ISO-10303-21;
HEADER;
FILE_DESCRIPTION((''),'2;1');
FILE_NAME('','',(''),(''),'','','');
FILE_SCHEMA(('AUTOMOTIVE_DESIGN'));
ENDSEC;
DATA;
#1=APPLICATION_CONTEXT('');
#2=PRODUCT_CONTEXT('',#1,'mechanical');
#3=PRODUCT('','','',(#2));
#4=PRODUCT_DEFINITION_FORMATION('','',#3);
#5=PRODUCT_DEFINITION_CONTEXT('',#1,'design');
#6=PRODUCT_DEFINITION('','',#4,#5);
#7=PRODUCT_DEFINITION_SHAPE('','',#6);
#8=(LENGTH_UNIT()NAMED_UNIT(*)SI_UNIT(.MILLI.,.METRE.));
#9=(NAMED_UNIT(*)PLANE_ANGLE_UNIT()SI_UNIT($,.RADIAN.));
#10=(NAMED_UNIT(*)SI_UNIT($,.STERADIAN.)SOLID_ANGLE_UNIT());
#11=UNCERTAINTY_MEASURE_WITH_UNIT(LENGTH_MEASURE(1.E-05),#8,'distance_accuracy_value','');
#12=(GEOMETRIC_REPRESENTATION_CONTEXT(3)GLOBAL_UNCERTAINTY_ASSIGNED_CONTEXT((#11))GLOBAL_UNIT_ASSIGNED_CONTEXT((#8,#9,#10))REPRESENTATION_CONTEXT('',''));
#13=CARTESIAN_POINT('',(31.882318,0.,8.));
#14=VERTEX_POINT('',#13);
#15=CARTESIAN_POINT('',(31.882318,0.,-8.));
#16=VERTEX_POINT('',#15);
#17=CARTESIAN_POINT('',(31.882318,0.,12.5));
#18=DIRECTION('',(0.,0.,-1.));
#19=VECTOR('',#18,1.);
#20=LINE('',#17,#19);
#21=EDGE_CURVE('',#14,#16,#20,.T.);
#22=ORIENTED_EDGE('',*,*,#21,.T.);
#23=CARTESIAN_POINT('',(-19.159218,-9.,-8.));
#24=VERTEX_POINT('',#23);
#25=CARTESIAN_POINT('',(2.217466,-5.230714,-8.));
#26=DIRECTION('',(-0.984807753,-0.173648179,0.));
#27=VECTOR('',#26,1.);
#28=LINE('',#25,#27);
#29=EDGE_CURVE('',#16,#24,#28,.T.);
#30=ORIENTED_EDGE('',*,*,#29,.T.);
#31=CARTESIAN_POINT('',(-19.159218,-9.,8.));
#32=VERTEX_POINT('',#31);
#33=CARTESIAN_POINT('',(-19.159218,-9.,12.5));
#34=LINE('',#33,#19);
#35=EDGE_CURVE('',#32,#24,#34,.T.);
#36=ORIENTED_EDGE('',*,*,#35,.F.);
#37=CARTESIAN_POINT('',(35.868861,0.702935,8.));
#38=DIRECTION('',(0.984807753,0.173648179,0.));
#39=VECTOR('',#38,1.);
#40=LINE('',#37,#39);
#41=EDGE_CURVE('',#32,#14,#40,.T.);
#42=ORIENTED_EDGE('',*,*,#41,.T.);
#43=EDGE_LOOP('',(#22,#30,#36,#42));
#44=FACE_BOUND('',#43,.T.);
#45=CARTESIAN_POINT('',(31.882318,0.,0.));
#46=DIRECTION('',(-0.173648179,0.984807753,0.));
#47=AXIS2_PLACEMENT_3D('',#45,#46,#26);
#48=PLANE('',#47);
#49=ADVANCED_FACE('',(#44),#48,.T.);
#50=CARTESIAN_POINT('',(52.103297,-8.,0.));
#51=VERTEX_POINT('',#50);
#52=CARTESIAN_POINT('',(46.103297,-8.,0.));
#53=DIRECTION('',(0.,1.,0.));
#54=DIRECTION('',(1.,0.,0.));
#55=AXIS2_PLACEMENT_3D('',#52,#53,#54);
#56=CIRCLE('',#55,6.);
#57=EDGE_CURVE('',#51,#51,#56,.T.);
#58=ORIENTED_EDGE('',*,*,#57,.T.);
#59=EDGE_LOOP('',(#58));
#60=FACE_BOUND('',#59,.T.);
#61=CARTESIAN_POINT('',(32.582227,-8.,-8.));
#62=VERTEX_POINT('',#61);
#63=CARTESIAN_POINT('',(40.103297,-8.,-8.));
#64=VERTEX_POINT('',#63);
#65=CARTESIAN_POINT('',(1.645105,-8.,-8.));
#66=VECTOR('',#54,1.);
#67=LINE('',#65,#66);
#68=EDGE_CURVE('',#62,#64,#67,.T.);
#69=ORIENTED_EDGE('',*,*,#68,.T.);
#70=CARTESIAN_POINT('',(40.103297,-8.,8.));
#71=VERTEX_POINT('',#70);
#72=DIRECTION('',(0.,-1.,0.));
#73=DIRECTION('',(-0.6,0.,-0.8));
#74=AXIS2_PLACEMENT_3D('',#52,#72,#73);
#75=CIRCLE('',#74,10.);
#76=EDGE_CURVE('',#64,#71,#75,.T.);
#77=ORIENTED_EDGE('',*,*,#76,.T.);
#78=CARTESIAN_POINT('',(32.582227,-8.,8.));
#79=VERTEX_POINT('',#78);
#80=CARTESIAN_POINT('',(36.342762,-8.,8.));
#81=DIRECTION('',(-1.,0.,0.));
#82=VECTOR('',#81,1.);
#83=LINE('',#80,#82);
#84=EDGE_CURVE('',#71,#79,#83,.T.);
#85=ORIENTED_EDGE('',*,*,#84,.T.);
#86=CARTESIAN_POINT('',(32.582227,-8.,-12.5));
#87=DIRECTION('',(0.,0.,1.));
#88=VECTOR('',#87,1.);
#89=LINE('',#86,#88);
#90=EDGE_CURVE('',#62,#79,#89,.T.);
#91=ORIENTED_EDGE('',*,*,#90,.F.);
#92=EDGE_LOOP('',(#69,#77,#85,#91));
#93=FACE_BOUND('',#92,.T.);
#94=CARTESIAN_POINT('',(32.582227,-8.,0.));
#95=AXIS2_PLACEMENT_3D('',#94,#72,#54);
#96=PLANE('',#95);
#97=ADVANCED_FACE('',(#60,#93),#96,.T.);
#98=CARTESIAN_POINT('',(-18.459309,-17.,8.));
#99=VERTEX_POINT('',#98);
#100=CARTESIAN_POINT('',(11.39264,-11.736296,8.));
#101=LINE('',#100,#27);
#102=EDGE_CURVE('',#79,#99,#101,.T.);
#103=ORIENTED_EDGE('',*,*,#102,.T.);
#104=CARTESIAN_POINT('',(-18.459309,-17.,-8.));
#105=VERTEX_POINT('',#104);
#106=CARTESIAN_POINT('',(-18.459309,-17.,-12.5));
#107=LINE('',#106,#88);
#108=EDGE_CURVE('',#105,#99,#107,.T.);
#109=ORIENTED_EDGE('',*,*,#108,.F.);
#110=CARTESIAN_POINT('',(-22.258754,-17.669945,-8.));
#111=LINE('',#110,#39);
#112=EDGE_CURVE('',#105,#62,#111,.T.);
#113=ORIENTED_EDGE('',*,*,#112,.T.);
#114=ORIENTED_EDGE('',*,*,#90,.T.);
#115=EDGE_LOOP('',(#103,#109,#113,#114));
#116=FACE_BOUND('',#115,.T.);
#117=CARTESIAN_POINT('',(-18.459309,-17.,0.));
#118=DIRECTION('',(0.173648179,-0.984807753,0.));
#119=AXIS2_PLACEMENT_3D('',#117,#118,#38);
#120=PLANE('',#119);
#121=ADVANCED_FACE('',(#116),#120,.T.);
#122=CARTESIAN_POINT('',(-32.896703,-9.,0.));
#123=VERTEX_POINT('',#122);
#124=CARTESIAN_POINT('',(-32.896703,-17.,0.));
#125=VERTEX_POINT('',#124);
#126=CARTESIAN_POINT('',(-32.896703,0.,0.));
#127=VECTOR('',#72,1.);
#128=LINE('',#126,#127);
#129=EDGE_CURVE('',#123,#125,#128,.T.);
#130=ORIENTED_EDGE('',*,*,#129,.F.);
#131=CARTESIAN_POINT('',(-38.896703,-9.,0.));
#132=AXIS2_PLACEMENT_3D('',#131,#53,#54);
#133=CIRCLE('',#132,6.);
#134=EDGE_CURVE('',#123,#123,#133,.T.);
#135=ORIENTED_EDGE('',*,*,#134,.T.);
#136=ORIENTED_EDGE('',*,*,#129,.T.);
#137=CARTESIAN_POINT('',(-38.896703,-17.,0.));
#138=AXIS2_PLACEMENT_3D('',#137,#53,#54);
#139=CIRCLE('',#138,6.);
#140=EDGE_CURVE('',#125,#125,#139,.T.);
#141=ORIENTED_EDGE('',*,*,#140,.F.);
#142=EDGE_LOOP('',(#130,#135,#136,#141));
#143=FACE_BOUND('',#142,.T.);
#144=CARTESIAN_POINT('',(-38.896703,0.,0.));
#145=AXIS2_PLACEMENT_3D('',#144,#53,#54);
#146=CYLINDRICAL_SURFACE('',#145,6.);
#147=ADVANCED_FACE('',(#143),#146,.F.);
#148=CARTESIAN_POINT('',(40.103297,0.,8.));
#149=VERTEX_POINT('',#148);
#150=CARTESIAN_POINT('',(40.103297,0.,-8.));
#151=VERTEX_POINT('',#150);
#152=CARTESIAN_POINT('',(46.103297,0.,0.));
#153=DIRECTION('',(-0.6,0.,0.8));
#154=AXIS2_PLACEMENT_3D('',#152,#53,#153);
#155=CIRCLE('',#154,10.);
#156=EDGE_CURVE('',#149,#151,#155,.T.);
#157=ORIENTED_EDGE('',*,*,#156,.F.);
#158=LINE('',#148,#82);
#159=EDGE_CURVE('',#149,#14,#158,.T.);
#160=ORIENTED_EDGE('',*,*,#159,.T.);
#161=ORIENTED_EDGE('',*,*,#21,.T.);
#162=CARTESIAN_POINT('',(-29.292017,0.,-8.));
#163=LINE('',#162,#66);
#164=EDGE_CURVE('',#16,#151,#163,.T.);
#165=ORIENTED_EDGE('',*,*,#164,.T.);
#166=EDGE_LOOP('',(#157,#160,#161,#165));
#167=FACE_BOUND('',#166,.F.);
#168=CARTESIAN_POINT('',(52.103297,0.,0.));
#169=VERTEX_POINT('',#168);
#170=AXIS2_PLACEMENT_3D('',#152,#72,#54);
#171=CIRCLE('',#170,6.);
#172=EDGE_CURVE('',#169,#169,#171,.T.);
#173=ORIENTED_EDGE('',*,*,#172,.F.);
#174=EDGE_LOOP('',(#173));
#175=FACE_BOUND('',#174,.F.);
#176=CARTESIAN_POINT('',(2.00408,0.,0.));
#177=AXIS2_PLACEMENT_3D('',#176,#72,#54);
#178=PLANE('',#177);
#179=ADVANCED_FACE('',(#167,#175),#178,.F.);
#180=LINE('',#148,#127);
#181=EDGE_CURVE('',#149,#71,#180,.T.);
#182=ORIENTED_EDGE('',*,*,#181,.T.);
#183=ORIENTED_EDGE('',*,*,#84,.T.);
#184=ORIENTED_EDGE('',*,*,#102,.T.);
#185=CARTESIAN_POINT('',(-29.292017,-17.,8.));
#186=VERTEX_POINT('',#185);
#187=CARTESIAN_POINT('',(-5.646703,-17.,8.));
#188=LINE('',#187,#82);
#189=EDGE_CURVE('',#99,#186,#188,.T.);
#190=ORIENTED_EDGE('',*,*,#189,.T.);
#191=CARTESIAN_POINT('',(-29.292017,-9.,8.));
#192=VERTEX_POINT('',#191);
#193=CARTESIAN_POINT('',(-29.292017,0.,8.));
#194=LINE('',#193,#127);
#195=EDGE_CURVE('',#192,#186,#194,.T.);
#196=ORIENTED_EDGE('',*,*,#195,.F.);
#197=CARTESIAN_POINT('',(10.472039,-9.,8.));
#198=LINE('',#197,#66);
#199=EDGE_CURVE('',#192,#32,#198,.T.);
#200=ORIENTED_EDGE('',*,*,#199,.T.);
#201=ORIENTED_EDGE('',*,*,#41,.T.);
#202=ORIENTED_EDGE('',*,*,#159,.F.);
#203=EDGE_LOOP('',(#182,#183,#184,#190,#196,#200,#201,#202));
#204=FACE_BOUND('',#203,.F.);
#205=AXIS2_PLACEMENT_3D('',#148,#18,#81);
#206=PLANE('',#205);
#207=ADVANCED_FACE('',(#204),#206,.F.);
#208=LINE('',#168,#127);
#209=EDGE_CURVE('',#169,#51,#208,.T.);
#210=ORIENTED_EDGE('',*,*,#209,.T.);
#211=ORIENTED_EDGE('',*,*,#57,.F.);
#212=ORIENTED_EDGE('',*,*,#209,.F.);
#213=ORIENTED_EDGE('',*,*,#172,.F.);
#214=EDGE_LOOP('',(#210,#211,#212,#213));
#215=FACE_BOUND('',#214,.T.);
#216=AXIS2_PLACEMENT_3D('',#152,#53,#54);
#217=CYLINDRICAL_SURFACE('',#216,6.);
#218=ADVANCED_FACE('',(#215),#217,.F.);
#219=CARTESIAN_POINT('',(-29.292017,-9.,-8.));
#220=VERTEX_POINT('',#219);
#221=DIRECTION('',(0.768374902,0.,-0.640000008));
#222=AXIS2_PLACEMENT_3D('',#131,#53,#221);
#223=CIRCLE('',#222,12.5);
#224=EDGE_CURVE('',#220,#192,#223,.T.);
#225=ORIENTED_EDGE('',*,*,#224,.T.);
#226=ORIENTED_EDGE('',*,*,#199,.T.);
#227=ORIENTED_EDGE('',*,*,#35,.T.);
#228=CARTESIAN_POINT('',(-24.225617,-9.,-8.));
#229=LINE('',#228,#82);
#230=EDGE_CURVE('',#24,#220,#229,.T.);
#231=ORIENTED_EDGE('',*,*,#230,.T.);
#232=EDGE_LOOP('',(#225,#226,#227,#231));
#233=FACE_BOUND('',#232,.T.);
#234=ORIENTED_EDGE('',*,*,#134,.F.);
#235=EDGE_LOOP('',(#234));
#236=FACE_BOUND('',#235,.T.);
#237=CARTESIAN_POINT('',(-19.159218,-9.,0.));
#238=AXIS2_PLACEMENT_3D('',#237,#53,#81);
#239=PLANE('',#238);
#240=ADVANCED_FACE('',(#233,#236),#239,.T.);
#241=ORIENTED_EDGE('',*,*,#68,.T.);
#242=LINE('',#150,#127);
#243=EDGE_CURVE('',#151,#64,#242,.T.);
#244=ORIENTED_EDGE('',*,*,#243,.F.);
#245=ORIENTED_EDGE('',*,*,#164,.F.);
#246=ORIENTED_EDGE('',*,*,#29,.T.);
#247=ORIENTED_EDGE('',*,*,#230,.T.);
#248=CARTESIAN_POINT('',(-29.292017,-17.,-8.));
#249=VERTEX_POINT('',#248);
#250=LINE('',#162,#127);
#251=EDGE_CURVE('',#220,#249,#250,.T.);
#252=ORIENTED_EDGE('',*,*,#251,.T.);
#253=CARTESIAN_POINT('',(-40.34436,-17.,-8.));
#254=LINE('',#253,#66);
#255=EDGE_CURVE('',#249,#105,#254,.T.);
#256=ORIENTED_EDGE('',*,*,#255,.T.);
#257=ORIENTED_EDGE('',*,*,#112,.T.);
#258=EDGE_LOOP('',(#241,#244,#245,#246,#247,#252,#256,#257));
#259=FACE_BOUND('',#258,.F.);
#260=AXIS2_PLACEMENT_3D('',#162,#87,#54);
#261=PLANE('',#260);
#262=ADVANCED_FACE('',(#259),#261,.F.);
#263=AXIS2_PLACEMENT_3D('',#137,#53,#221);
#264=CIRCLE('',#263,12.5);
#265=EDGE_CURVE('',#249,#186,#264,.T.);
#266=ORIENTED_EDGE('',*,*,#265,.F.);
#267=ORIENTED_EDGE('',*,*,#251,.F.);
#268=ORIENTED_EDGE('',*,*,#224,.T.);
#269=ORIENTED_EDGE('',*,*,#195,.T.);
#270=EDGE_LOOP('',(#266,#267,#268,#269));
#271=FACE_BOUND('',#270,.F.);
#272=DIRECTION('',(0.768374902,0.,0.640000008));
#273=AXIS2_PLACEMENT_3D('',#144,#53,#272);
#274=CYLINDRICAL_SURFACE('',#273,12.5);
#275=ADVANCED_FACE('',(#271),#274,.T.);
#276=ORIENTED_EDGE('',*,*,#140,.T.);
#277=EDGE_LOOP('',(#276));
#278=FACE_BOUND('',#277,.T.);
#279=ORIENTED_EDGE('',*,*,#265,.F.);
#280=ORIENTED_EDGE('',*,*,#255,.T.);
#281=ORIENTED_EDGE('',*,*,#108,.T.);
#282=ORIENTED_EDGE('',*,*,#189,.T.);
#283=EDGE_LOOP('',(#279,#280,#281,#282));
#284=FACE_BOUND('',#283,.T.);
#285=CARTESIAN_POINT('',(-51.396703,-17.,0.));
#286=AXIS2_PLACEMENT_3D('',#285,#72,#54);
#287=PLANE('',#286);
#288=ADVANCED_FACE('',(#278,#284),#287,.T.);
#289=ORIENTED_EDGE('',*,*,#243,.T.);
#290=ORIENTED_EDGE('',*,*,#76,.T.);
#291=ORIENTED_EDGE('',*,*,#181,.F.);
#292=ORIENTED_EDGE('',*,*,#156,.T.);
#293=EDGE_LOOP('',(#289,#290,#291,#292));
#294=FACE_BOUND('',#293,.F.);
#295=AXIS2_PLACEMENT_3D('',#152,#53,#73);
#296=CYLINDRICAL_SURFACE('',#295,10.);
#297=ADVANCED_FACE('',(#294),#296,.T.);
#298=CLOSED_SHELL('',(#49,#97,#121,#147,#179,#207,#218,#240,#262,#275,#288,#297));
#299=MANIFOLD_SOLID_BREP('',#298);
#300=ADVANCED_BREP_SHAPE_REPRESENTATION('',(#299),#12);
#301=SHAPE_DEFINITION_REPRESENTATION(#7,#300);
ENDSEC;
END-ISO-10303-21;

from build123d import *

# Parameters (mm, degrees)
F0_R     = 6
F1_DEPTH = 25
F3_DEPTH = 12.5


with BuildPart() as f1:
    # F0 (on Front) → F1 (new body)
    with BuildSketch(Plane.XZ):
        with BuildLine():
            Line((40.103297, 8), (-29.292017, 8))
            ThreePointArc((-29.292017, 8), (-51.396703, 0), (-29.292017, -8))
            Line((-29.292017, -8), (40.103297, -8))
            ThreePointArc((40.103297, -8), (56.103297, 0), (40.103297, 8))
        make_face()
        with Locations((-38.896703, 0)):
            Circle(F0_R, mode=Mode.SUBTRACT)
        with Locations((46.103297, 0)):
            Circle(F0_R, mode=Mode.SUBTRACT)
    extrude(amount=F1_DEPTH)

    # F2 (on Top) → F3 (intersect, symmetric)
    with BuildSketch(Plane.XY):
        Polygon((-19.159218, -9), (-51.396703, -9), (-51.396703, -17), (-18.459309, -17), (32.582227, -8), (56.103297, -8), (56.103297, 0), (31.882318, 0), align=None)
    extrude(amount=F3_DEPTH, both=True, mode=Mode.INTERSECT)


solid = f1.part
